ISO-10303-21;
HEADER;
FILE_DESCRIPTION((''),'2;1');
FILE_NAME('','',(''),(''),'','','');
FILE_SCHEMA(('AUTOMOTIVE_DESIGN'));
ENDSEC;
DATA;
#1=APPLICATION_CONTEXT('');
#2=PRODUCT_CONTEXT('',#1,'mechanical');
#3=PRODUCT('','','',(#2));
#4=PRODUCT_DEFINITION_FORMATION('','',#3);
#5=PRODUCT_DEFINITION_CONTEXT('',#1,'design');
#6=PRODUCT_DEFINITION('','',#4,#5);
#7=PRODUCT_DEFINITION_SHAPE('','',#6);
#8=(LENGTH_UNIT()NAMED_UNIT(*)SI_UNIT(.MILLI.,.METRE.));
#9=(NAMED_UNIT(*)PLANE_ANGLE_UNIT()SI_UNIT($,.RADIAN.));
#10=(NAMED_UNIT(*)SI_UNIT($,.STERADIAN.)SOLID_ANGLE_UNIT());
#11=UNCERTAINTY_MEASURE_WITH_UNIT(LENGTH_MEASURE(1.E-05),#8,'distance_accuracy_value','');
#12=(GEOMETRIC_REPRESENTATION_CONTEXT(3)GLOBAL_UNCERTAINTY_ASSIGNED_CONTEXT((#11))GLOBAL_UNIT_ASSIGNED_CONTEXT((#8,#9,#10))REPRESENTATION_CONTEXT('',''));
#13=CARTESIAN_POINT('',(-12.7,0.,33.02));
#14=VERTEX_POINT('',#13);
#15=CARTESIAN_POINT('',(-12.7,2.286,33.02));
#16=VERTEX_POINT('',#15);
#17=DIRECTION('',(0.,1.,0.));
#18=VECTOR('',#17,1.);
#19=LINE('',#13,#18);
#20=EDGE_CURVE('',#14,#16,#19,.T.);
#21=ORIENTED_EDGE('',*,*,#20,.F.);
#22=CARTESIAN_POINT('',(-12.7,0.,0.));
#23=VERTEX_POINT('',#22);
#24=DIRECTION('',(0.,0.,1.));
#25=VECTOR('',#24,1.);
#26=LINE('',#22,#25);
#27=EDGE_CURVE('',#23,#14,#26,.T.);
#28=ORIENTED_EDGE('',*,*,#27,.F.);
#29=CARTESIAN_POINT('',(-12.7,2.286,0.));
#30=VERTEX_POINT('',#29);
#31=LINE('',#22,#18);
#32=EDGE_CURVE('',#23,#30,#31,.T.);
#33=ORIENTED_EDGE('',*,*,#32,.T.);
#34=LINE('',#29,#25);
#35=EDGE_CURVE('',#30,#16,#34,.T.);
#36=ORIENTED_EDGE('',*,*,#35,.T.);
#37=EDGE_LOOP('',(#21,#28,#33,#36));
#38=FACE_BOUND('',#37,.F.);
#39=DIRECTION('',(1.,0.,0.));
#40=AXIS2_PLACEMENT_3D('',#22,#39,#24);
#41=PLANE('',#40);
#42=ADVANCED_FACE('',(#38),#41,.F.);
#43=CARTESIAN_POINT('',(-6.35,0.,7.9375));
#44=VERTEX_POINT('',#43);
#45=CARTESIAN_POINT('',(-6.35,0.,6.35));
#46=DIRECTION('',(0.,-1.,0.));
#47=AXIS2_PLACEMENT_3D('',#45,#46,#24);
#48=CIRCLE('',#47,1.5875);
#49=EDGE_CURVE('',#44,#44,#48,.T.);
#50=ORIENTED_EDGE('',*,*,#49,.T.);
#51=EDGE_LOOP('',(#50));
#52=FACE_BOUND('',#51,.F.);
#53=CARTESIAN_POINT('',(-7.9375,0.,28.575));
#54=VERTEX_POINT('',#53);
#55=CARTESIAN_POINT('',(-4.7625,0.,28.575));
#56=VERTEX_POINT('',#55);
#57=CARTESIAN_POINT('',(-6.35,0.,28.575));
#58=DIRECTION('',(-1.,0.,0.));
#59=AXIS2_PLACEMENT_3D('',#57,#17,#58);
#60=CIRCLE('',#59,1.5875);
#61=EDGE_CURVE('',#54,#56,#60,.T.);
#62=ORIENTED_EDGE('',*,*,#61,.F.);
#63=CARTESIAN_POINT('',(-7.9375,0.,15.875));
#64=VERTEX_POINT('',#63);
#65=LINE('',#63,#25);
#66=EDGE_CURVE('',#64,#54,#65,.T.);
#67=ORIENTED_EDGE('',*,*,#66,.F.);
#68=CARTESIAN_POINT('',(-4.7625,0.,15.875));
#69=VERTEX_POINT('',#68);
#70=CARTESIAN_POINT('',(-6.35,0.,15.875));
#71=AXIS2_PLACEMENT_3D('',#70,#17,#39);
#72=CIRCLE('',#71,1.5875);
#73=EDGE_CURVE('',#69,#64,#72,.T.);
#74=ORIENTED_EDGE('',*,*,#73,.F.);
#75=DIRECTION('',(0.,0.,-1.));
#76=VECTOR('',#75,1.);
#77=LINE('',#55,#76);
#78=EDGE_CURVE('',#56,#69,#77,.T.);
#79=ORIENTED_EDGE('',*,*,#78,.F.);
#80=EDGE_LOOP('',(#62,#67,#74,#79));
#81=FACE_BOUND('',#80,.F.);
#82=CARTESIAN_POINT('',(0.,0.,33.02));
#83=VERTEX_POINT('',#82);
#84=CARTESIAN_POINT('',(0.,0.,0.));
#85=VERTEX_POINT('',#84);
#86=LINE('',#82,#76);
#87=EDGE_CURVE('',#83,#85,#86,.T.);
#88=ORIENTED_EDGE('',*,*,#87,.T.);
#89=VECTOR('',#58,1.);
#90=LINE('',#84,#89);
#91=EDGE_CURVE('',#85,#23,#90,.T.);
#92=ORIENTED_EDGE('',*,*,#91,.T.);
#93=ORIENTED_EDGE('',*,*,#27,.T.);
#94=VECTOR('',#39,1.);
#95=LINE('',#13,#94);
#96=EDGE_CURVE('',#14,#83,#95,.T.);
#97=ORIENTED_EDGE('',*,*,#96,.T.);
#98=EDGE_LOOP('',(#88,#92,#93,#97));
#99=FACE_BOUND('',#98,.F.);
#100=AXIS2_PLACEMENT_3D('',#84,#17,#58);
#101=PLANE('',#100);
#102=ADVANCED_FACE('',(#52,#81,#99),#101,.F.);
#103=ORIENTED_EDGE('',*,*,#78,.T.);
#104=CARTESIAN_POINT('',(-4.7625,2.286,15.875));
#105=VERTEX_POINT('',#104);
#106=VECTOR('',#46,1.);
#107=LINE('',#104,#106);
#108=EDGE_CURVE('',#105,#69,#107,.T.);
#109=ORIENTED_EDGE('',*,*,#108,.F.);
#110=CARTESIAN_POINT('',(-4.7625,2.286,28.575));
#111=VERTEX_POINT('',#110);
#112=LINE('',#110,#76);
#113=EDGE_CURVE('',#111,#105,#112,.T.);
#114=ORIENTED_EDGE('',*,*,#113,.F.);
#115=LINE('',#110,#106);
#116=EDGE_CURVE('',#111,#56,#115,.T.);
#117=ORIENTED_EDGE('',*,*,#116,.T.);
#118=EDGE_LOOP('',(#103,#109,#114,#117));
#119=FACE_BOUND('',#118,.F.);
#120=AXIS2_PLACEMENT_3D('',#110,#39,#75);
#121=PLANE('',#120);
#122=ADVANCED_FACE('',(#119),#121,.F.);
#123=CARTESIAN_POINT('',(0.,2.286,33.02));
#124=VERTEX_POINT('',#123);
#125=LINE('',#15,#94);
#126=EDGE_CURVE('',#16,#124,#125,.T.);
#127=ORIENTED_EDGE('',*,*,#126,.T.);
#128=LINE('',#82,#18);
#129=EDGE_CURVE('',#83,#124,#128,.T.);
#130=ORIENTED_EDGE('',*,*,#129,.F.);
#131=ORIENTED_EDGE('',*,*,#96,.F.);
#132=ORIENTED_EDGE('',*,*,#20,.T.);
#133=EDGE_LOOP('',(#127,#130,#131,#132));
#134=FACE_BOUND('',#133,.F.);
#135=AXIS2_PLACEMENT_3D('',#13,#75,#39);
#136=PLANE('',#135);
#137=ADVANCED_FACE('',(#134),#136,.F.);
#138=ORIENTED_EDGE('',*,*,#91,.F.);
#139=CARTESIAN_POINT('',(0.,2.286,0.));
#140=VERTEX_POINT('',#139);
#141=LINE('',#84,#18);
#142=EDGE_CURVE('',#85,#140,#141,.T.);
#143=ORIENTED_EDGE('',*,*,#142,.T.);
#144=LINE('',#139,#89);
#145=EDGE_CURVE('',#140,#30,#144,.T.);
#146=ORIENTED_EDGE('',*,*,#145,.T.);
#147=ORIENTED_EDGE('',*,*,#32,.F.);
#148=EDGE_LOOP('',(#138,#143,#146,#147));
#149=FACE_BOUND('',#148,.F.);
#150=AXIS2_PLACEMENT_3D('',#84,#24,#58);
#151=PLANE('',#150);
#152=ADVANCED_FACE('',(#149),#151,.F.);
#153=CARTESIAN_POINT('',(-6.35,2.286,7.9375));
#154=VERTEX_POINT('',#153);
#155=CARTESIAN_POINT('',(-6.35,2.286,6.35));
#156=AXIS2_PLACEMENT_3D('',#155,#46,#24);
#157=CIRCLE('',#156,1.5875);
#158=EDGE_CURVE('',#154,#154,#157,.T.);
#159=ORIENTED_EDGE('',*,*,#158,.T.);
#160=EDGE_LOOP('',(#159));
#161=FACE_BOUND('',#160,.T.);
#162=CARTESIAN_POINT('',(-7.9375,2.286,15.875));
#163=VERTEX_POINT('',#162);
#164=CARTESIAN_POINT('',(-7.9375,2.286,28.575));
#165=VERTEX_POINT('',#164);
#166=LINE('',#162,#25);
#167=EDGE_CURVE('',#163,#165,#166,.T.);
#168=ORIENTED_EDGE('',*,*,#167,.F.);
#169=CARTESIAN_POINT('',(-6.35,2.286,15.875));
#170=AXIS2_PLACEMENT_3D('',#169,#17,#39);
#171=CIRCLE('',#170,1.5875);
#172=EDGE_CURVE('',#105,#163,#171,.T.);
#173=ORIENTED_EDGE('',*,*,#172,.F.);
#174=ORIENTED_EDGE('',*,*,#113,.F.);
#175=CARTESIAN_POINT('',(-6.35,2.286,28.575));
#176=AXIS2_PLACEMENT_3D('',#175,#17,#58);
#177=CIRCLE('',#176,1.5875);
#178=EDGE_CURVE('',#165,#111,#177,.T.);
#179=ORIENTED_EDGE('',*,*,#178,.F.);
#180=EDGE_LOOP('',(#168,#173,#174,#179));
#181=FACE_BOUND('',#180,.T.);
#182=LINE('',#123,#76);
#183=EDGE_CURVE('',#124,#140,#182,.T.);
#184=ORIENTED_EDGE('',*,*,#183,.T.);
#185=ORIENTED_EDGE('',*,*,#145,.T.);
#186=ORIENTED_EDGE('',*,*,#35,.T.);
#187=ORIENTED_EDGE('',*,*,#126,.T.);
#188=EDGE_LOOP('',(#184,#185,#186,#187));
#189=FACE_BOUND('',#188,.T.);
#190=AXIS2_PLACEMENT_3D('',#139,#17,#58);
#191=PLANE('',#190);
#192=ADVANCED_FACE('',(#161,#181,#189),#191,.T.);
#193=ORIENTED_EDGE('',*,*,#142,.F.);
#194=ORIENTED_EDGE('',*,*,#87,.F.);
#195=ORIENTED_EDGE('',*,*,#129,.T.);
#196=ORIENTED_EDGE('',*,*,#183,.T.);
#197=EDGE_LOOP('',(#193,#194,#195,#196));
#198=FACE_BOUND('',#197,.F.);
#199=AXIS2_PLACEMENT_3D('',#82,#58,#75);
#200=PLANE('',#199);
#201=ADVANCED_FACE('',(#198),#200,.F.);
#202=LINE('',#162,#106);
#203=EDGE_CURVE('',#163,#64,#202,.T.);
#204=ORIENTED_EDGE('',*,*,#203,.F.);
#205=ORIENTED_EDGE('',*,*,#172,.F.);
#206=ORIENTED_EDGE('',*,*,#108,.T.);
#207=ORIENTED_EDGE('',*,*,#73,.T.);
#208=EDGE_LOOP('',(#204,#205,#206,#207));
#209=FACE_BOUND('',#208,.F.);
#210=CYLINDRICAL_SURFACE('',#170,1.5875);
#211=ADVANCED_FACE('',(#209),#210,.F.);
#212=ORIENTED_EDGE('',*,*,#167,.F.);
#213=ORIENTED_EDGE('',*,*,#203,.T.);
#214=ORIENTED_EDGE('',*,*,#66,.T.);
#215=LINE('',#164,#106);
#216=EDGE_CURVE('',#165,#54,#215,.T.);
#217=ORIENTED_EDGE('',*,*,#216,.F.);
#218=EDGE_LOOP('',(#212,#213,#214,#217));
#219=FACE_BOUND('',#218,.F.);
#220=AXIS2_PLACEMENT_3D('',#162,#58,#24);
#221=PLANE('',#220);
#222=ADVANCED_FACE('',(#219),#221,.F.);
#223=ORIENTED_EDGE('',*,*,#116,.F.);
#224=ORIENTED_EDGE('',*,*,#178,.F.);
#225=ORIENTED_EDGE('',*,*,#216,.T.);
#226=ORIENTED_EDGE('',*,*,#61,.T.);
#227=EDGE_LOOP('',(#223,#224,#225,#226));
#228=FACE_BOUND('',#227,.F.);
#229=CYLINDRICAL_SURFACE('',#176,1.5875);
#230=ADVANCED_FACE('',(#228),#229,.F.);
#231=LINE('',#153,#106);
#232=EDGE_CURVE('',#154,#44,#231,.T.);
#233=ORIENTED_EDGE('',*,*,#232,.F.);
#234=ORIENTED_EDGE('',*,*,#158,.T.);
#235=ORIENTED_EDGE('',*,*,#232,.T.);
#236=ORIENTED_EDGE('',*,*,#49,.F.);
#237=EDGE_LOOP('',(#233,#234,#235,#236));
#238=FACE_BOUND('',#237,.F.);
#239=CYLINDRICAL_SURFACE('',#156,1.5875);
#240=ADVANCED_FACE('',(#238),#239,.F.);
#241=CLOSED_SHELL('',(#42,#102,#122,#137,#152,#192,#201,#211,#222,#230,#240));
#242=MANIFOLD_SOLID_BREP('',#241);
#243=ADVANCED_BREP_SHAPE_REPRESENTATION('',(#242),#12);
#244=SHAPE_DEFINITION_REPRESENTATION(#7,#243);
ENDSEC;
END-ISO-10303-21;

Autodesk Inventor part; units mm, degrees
ref_plane "YZ Plane" through (0, 0, 0) normal (1, 0, 0) x (0, 1, 0)
ref_plane "XZ Plane" through (0, 0, 0) normal (0, 1, 0) x (-1, 0, 0)
ref_plane "XY Plane" through (0, 0, 0) normal (0, 0, 1) x (1, 0, 0)
sketch "Sketch1" plane through (0, 0, 0) normal (0, 1, 0) x (-1, 0, 0)
  line L0 (0, 0) -> (12.7, 0)
  line L1 (12.7, 0) -> (12.7, 33.02)
  line L2 (12.7, 33.02) -> (0, 33.02)
  line L3 (0, 33.02) -> (0, 0)
  dimension "d0" = 12.7
  dimension "d1" = 33.02
extrude "Extrusion1" add sketch "Sketch1" along normal blind 2.286
sketch "Sketch2" plane through (0, 2.286, 0) normal (0, 1, 0) x (1, 0, 0)
  point P0 (0, 0)
sketch "Sketch3" plane through (0, 2.286, 0) normal (0, 1, 0) x (1, 0, 0)
  circle A0 centre (-6.35, -6.35) radius 1.778
  point P0 (0, 0)
  dimension "d4" = 3.556
hole "Hole1" at (-6.35, 2.286, 6.35) direction (0, -1, 0) diameter 3.175 end through all
sketch "Sketch4" plane through (0, 2.286, 0) normal (0, 1, 0) x (1, 0, 0)
  point P0 (0, 0)
sketch "Sketch6" plane through (0, 2.286, 0) normal (0, 1, 0) x (1, 0, 0)
  line L0 (-6.35, -15.875) -> (-6.35, -28.575) construction
  line L1 (-7.9375, -15.875) -> (-7.9375, -28.575)
  line L2 (-4.7625, -28.575) -> (-4.7625, -15.875)
  arc A0 (-4.7625, -15.875) -> (-7.9375, -15.875) centre (-6.35, -15.875) ccw
  arc A1 (-7.9375, -28.575) -> (-4.7625, -28.575) centre (-6.35, -28.575) ccw
  point P0 (0, 0)
  point P1 (-6.35, -12.7)
  point P2 (-6.35, -22.225)
  dimension "d15" = 3.175
extrude "Extrusion3" cut sketch "Sketch6" against normal blind 2.286
sketch "Sketch7" plane through (0, 2.286, 0) normal (0, 1, 0) x (1, 0, 0)
  circle A0 centre (-6.35, -6.35) radius 1.5875 projected
  circle A1 centre (-6.35, -6.35) radius 3.175
  point P0 (0, 0)
  dimension "d18" = 6.35
properties part number "WireHangerBase"
